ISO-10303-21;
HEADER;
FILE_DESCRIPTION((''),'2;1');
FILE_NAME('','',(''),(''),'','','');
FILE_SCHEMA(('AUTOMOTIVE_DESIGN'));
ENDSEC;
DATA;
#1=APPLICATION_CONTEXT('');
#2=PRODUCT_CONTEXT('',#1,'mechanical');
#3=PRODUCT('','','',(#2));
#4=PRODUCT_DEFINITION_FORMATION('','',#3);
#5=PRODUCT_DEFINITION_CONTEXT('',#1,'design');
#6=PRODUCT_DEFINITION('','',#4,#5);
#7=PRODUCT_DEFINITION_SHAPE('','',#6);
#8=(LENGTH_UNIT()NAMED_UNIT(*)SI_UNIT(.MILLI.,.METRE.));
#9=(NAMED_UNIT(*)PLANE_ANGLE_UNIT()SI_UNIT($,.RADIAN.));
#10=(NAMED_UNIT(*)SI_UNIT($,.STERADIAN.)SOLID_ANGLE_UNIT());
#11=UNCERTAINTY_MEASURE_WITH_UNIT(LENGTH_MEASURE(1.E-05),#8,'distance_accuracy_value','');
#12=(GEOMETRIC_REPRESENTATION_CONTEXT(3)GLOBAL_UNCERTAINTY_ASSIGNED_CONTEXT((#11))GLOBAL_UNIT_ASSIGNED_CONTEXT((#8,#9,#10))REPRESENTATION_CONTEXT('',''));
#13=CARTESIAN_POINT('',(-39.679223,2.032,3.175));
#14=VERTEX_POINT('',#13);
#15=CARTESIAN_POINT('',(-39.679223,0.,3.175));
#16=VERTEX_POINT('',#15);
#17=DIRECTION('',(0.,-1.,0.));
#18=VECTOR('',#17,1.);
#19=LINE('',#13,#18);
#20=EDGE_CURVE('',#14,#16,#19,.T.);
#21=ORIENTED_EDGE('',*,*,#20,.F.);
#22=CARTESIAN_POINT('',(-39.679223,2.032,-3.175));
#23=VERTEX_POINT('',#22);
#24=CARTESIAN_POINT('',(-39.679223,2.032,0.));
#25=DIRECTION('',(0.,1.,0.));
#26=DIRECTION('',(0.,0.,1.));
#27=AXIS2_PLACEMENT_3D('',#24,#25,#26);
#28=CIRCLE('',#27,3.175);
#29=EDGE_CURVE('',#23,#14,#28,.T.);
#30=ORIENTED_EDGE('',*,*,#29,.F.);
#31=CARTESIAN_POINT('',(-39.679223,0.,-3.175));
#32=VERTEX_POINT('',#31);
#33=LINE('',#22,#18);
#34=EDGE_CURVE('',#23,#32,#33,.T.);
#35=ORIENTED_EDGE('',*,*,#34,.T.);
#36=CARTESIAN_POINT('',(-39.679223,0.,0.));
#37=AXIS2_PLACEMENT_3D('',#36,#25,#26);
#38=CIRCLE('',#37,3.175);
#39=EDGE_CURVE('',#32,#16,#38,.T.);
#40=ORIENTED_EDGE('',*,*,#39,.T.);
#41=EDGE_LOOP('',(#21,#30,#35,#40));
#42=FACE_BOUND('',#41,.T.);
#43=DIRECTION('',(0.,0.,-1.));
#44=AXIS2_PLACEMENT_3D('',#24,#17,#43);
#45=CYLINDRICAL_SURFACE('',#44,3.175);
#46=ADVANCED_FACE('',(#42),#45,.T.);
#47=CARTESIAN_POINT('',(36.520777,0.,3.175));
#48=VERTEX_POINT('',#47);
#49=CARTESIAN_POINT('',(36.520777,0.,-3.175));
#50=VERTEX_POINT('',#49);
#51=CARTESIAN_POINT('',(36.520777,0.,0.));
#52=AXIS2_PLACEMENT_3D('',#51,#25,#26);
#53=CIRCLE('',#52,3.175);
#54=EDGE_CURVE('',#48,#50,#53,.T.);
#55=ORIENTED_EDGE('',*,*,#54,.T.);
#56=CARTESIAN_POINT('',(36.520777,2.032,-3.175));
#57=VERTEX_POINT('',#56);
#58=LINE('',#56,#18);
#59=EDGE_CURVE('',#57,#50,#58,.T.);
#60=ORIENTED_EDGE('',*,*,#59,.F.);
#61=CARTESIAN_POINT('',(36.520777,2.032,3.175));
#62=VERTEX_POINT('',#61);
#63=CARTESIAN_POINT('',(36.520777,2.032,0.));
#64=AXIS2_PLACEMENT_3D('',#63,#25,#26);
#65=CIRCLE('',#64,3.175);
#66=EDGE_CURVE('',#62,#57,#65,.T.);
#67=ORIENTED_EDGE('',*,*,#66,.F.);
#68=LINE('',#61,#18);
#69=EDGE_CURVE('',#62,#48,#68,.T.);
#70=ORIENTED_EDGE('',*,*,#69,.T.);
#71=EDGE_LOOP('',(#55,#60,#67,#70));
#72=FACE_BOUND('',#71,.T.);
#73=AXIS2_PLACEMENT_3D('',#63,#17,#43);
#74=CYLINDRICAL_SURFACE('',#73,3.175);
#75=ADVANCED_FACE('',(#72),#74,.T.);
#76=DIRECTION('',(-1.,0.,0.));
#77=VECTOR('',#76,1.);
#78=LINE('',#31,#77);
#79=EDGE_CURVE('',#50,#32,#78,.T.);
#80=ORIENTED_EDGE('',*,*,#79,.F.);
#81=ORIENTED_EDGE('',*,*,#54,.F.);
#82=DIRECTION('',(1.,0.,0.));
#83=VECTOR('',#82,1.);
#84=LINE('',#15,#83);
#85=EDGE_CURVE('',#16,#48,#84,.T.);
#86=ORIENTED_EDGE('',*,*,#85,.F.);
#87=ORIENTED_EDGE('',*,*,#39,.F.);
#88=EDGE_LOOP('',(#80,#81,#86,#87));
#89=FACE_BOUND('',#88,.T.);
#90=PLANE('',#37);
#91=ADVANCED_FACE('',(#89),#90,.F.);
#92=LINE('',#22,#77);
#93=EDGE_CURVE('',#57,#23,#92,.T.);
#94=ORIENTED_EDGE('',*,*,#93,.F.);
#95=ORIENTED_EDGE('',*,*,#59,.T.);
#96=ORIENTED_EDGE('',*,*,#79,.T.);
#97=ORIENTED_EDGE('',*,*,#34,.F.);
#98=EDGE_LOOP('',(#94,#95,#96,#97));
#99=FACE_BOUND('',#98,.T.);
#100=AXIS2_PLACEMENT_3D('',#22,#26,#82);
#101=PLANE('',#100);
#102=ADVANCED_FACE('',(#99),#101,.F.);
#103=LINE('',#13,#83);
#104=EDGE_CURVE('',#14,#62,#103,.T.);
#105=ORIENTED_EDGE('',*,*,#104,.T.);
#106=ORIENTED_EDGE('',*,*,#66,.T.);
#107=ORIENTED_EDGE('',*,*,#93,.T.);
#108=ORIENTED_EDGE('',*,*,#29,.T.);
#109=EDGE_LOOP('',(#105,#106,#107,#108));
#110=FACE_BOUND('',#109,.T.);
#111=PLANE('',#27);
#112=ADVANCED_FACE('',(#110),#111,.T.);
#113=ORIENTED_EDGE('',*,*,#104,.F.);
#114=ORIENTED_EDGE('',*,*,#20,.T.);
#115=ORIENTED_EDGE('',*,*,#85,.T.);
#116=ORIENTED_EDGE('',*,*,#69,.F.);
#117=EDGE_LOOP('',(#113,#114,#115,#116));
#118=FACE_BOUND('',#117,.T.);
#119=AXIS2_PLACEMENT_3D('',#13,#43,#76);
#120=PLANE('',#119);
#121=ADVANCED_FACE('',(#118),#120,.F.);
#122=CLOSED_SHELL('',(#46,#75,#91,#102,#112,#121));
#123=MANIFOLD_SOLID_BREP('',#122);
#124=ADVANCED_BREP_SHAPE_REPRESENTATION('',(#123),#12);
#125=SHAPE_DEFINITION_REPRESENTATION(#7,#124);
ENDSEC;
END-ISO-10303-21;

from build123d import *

# Parameters (mm, degrees)
BOSS_EXTRUDE1_DEPTH = 2.032


with BuildPart() as part:
    # Sketch2 → Boss-Extrude1 (new body)
    with BuildSketch(Plane(origin=(0, 0, 0), x_dir=(1, 0, 0), z_dir=(0, 1, 0))):
        with BuildLine():
            Line((-39.679223149, 3.175), (36.520776851, 3.175))
            ThreePointArc((36.520776851, 3.175), (39.695776851, 0), (36.520776851, -3.175))
            Line((36.520776851, -3.175), (-39.679223149, -3.175))
            ThreePointArc((-39.679223149, -3.175), (-42.854223149, 0), (-39.679223149, 3.175))
        make_face()
    extrude(amount=BOSS_EXTRUDE1_DEPTH)


solid = part.part
